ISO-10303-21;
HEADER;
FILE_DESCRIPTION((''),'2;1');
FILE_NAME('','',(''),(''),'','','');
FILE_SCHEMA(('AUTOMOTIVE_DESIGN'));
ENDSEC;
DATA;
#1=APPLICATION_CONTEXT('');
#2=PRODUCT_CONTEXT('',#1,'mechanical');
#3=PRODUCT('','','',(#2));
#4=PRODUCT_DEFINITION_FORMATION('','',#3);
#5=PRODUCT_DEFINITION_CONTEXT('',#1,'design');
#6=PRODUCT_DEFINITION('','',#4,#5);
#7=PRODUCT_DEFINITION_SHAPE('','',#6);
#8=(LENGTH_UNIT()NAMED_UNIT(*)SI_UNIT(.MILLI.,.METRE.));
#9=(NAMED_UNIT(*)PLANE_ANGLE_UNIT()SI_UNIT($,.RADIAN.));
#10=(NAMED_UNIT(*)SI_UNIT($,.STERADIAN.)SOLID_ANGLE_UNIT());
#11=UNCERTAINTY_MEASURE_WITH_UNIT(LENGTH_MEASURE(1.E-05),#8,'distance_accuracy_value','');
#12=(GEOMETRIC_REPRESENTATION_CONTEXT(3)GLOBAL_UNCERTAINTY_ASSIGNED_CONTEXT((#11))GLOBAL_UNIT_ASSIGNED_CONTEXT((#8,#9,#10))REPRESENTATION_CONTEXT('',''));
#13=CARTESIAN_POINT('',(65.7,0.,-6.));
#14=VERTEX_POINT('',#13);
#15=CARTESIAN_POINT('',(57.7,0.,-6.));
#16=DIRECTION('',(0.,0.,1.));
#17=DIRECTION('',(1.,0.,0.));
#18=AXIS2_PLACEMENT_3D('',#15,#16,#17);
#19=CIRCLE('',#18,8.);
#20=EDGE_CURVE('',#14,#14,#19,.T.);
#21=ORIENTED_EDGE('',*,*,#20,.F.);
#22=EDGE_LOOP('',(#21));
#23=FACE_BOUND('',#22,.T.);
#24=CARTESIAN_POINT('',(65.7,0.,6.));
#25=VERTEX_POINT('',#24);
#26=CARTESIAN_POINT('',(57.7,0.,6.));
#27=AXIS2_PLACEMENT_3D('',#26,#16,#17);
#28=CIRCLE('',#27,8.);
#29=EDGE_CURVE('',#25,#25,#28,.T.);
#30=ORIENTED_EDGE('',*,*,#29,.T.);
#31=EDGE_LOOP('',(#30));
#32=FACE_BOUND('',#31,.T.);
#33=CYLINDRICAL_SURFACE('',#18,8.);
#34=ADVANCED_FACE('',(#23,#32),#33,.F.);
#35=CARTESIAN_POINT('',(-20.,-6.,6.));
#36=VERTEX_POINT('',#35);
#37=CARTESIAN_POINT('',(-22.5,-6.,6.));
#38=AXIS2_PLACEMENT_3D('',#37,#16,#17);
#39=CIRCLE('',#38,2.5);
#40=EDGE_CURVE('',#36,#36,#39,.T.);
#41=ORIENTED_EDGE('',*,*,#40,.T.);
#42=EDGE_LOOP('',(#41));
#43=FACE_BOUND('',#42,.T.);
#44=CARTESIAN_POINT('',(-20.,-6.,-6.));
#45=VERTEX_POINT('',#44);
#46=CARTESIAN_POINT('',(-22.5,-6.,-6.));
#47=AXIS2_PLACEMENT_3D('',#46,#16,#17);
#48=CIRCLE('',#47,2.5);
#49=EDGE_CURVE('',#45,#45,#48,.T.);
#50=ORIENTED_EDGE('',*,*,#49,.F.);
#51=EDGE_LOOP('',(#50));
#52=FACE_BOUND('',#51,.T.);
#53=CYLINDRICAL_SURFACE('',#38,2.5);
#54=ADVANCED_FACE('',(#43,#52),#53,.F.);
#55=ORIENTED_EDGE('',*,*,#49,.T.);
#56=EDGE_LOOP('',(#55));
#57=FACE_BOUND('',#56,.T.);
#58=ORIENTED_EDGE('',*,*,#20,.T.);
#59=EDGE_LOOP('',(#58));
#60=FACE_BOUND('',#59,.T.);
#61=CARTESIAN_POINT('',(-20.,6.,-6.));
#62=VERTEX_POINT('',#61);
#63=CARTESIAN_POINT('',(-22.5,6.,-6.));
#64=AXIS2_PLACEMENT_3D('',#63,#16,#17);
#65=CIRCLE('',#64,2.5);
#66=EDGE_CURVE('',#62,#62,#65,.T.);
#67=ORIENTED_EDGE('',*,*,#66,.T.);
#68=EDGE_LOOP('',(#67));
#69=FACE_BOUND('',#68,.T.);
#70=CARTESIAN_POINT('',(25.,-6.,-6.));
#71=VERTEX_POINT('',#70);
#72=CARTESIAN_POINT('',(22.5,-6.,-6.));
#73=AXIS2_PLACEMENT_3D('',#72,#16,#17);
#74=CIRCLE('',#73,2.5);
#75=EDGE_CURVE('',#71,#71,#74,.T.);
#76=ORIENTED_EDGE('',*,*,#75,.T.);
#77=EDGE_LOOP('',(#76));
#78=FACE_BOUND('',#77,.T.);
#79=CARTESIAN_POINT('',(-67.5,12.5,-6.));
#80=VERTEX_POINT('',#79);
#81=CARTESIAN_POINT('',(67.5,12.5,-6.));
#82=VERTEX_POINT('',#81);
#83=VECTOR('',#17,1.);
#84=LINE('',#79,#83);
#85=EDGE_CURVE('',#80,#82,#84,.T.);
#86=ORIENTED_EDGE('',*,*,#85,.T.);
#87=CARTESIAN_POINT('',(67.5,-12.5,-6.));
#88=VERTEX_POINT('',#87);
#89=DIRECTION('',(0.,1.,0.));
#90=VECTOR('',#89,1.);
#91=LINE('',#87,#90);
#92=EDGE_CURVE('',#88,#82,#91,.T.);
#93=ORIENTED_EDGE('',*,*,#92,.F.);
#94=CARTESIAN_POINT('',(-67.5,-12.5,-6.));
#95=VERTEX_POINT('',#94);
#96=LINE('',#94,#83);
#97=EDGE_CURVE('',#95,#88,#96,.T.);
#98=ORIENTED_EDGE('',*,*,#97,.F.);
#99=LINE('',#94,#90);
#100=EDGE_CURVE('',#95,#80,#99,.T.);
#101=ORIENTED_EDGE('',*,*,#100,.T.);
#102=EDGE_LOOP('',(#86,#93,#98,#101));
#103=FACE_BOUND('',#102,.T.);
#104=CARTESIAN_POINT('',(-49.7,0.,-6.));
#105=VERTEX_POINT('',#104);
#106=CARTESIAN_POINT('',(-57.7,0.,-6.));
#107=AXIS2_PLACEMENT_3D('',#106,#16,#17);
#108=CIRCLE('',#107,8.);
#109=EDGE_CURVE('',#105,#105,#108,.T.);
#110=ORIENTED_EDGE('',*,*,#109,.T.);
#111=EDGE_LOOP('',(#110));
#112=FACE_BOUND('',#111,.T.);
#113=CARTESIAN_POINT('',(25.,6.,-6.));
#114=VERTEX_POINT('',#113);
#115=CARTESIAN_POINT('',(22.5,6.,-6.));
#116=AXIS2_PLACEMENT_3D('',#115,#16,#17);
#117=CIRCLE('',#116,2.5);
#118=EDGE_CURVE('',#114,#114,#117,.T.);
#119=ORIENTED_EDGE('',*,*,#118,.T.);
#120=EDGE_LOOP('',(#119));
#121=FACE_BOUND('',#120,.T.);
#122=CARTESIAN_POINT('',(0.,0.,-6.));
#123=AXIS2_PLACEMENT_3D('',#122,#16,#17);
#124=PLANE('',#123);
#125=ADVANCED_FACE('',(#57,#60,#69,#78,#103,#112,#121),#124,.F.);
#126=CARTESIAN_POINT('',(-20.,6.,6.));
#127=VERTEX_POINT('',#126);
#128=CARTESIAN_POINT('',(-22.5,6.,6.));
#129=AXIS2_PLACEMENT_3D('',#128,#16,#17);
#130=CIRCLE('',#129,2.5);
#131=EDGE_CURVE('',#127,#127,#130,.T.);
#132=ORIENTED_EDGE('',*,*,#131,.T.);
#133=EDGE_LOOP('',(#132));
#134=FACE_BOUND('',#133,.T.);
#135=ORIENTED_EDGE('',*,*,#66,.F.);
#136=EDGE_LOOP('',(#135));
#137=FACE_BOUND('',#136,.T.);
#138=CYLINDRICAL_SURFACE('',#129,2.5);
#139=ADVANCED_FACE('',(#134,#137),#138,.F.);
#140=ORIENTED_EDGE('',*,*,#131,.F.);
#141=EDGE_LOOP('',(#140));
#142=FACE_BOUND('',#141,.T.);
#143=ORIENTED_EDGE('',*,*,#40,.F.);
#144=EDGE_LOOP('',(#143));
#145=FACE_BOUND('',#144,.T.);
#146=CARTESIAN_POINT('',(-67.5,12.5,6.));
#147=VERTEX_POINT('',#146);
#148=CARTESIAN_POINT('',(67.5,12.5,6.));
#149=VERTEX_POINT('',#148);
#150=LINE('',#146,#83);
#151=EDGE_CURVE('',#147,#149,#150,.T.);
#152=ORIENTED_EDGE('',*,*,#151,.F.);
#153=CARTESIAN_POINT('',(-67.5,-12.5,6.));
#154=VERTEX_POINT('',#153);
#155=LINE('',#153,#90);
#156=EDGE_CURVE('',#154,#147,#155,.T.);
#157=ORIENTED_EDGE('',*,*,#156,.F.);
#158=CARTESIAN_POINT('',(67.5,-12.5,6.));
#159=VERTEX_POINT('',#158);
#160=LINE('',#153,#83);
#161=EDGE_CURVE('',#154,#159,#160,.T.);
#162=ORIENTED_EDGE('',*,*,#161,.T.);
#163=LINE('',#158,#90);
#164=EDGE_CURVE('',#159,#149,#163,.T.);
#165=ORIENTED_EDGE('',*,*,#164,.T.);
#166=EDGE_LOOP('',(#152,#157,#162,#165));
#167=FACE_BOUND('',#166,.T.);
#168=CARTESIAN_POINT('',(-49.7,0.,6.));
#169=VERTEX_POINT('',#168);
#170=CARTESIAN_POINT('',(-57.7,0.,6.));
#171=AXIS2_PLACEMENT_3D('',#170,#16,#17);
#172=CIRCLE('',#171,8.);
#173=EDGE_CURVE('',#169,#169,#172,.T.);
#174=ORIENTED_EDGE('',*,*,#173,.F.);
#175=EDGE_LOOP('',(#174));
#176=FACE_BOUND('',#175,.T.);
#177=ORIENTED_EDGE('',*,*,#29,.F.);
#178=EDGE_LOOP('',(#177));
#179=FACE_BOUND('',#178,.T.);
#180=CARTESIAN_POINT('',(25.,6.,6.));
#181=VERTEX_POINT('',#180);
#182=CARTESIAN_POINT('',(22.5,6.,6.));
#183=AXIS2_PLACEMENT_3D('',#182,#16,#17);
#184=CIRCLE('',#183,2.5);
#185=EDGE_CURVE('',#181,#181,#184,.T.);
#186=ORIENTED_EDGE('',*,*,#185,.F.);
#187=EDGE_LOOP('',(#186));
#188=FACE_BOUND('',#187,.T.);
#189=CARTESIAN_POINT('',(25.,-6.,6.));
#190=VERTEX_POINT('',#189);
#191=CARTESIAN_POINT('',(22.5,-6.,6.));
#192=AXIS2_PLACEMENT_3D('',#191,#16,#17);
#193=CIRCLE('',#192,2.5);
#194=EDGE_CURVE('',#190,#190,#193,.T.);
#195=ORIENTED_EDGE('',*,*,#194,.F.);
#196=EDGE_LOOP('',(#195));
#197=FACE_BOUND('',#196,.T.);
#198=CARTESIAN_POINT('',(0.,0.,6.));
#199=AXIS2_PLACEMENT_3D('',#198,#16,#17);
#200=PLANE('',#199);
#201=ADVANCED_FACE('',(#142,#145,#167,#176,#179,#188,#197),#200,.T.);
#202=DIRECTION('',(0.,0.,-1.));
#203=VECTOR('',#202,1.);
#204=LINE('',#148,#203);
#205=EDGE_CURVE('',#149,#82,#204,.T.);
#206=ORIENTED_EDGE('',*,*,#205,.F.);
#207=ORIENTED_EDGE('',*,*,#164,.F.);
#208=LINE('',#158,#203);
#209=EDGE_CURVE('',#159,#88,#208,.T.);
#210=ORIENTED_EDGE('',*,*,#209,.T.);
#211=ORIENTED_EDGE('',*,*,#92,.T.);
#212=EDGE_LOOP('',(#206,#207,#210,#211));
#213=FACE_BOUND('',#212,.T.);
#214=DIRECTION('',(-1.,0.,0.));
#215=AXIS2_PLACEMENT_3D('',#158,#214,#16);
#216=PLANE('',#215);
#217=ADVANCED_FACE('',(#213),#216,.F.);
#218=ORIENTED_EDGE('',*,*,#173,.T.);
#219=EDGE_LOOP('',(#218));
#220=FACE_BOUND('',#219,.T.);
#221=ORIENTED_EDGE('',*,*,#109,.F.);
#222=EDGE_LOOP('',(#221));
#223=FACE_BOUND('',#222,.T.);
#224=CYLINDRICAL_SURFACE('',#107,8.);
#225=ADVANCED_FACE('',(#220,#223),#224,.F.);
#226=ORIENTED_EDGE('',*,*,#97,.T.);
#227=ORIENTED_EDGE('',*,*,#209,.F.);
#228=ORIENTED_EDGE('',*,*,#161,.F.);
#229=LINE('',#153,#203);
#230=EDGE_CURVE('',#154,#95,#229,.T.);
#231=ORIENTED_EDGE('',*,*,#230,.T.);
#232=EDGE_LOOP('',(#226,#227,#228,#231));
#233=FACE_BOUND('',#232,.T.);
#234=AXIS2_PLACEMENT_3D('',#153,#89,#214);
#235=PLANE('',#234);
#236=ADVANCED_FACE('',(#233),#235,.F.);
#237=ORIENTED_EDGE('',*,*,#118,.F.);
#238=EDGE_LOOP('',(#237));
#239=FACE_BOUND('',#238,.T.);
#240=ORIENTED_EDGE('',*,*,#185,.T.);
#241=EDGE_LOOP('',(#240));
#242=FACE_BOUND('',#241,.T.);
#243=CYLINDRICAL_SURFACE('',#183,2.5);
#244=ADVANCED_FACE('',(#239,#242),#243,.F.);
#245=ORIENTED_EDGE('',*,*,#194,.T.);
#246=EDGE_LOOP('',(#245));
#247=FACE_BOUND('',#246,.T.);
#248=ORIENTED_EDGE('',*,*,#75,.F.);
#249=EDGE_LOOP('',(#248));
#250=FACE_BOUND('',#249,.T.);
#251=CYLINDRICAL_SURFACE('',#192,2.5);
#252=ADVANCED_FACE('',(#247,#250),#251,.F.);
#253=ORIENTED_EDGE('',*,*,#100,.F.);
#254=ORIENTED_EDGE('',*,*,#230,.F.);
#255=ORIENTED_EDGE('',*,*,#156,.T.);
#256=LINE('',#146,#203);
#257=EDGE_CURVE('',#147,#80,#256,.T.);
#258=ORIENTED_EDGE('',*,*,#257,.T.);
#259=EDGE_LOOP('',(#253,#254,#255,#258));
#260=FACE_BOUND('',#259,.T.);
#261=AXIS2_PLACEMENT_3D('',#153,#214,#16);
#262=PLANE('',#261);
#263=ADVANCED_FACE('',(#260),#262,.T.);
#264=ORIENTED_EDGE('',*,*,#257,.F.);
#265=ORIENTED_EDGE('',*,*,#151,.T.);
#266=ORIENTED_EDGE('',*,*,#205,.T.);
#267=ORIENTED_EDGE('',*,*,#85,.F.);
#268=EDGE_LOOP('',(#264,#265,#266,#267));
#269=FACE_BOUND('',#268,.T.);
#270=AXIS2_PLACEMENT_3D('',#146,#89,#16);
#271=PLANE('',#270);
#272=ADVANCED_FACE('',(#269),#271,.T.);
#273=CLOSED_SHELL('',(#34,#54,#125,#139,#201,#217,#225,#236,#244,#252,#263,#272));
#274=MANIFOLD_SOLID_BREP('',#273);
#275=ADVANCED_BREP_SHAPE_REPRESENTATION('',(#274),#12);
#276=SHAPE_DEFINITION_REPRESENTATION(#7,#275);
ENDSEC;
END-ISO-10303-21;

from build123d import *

# Parameters (mm, degrees)
SKETCH1_W                   = 135
SKETCH1_H                   = 25
BOSS_EXTRUDE1_DEPTH         = 6
TAP_DRILL_FOR_M6X1_0_TAP1_D = 5
SKETCH2_R                   = 8
CUT_EXTRUDE1_DEPTH          = 70.688593041


with BuildPart() as part:
    # Sketch1 → Boss-Extrude1 (new, symmetric)
    with BuildSketch(Plane.XY):
        Rectangle(SKETCH1_W, SKETCH1_H)
    extrude(amount=BOSS_EXTRUDE1_DEPTH, both=True)

    # Tap Drill for M6x1.0 Tap1 (through all)
    with Locations(Plane.XY.offset(6)):
        with Locations((-22.5, 6), (-22.5, -6), (22.5, 6), (22.5, -6)):
            Hole(TAP_DRILL_FOR_M6X1_0_TAP1_D / 2)

    # Sketch2 → Cut-Extrude1 (cut, through all)
    with BuildSketch(Plane.XY.offset(6)):
        with Locations((-57.7, 0)):
            Circle(SKETCH2_R)
        with Locations((57.7, 0)):
            Circle(SKETCH2_R)
    extrude(amount=-CUT_EXTRUDE1_DEPTH, mode=Mode.SUBTRACT)


solid = part.part
